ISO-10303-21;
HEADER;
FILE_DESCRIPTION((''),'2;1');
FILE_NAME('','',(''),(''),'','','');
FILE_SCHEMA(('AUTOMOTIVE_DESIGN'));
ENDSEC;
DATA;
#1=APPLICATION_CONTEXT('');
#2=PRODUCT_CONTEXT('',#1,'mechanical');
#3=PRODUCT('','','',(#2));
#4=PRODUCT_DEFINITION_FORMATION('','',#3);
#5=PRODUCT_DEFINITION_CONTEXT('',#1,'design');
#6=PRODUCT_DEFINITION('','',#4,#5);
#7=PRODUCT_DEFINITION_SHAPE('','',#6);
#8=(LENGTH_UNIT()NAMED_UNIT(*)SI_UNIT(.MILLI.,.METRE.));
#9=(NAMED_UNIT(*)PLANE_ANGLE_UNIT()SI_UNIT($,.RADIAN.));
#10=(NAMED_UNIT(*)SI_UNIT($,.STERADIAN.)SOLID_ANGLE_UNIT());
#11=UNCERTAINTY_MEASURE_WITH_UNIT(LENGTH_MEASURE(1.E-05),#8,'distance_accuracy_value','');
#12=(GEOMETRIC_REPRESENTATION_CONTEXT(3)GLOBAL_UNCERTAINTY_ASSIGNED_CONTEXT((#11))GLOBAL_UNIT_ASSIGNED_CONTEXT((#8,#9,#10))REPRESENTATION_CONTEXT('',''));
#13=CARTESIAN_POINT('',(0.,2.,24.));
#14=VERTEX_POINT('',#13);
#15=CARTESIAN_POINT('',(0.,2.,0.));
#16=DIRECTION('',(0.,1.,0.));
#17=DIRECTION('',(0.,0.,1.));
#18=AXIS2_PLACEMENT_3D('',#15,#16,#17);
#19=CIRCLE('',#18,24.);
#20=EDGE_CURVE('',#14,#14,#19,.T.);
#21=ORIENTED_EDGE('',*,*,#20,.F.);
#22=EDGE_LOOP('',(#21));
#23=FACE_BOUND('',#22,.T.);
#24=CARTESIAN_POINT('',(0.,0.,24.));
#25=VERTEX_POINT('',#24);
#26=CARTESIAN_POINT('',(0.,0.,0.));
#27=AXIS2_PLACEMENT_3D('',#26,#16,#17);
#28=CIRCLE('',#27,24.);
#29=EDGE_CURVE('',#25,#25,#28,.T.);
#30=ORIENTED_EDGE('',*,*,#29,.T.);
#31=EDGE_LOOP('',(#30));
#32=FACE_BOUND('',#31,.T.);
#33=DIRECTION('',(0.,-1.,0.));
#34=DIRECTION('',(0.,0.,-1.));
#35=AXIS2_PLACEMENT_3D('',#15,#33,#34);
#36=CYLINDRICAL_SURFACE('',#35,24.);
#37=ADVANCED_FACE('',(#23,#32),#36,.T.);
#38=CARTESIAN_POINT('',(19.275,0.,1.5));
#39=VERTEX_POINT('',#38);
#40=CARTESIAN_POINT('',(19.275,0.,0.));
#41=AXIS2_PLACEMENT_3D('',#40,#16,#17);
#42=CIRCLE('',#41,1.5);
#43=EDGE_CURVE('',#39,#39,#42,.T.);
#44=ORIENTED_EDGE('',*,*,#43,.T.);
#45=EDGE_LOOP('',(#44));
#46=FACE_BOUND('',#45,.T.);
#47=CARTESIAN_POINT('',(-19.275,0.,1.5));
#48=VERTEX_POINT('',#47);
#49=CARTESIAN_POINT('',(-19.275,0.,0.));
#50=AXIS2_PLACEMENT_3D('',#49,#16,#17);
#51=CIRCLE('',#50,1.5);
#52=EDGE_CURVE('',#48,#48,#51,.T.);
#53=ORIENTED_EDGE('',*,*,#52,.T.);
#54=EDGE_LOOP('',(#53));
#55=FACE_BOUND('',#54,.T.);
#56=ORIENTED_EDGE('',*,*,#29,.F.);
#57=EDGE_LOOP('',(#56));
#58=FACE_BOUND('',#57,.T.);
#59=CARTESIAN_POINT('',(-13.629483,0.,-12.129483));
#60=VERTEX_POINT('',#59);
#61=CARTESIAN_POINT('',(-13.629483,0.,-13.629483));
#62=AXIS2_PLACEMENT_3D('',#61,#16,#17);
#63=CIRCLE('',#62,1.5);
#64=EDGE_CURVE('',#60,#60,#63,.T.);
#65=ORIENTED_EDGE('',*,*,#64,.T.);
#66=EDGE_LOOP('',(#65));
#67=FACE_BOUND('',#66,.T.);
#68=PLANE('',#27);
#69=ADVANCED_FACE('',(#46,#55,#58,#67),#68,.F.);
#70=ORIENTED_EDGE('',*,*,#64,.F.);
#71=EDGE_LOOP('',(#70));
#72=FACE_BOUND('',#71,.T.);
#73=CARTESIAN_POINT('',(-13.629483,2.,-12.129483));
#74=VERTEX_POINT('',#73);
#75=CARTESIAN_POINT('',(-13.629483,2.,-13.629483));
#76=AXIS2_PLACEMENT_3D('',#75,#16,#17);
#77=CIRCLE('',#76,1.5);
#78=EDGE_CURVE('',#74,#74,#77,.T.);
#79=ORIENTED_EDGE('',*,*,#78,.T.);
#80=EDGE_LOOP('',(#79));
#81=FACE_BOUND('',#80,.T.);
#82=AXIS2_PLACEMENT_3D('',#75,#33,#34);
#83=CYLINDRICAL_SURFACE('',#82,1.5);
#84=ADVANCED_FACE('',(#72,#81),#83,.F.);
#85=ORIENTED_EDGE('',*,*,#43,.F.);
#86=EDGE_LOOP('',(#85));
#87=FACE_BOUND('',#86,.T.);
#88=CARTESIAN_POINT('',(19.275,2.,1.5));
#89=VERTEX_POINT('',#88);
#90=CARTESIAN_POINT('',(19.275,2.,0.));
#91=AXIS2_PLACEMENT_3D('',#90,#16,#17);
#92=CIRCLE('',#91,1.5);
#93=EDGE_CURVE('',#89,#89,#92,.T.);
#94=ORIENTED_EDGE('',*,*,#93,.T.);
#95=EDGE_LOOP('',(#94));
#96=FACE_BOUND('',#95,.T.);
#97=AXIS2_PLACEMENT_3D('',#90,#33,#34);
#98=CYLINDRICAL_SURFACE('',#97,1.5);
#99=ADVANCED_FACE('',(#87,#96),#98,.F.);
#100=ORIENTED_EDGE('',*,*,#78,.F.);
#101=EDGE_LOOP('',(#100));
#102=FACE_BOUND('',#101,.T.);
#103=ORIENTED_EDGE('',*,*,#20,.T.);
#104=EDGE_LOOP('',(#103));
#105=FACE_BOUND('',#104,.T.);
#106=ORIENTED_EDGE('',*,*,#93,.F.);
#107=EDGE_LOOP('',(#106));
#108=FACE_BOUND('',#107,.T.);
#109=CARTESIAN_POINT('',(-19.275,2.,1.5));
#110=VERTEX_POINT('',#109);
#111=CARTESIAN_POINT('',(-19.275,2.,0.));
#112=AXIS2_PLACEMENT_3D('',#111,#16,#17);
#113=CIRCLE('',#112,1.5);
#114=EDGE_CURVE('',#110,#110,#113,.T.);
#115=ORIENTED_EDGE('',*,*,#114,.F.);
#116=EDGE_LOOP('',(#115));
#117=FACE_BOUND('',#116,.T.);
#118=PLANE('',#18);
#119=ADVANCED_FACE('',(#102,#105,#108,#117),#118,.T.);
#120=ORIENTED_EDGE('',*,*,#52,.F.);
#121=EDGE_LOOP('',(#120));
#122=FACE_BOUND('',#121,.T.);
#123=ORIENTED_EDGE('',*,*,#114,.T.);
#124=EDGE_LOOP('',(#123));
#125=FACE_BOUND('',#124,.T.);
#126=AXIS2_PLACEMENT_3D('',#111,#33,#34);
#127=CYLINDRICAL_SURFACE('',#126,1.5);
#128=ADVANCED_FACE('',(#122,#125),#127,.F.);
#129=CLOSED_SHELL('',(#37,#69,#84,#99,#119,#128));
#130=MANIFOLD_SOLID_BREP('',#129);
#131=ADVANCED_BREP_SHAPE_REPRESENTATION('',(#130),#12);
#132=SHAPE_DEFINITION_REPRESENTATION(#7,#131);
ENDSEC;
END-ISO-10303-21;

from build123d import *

# Parameters (mm, degrees)
SKETCH1_R           = 24
SKETCH1_R_2         = 1.5
BOSS_EXTRUDE1_DEPTH = 2


with BuildPart() as part:
    # Sketch1 → Boss-Extrude1 (new body)
    with BuildSketch(Plane(origin=(0, 0, 0), x_dir=(1, 0, 0), z_dir=(0, 1, 0))):
        with Locations(Location((0, 0, 0), (0, 0, 270))):
            Circle(SKETCH1_R)
        with Locations(Location((-19.275, 0, 0), (0, 0, 270))):
            Circle(SKETCH1_R_2, mode=Mode.SUBTRACT)
        with Locations(Location((19.275, 0, 0), (0, 0, 270))):
            Circle(SKETCH1_R_2, mode=Mode.SUBTRACT)
        with Locations(Location((-13.629483207, 13.629483207, 0), (0, 0, 270))):
            Circle(SKETCH1_R_2, mode=Mode.SUBTRACT)
    extrude(amount=BOSS_EXTRUDE1_DEPTH)


solid = part.part
